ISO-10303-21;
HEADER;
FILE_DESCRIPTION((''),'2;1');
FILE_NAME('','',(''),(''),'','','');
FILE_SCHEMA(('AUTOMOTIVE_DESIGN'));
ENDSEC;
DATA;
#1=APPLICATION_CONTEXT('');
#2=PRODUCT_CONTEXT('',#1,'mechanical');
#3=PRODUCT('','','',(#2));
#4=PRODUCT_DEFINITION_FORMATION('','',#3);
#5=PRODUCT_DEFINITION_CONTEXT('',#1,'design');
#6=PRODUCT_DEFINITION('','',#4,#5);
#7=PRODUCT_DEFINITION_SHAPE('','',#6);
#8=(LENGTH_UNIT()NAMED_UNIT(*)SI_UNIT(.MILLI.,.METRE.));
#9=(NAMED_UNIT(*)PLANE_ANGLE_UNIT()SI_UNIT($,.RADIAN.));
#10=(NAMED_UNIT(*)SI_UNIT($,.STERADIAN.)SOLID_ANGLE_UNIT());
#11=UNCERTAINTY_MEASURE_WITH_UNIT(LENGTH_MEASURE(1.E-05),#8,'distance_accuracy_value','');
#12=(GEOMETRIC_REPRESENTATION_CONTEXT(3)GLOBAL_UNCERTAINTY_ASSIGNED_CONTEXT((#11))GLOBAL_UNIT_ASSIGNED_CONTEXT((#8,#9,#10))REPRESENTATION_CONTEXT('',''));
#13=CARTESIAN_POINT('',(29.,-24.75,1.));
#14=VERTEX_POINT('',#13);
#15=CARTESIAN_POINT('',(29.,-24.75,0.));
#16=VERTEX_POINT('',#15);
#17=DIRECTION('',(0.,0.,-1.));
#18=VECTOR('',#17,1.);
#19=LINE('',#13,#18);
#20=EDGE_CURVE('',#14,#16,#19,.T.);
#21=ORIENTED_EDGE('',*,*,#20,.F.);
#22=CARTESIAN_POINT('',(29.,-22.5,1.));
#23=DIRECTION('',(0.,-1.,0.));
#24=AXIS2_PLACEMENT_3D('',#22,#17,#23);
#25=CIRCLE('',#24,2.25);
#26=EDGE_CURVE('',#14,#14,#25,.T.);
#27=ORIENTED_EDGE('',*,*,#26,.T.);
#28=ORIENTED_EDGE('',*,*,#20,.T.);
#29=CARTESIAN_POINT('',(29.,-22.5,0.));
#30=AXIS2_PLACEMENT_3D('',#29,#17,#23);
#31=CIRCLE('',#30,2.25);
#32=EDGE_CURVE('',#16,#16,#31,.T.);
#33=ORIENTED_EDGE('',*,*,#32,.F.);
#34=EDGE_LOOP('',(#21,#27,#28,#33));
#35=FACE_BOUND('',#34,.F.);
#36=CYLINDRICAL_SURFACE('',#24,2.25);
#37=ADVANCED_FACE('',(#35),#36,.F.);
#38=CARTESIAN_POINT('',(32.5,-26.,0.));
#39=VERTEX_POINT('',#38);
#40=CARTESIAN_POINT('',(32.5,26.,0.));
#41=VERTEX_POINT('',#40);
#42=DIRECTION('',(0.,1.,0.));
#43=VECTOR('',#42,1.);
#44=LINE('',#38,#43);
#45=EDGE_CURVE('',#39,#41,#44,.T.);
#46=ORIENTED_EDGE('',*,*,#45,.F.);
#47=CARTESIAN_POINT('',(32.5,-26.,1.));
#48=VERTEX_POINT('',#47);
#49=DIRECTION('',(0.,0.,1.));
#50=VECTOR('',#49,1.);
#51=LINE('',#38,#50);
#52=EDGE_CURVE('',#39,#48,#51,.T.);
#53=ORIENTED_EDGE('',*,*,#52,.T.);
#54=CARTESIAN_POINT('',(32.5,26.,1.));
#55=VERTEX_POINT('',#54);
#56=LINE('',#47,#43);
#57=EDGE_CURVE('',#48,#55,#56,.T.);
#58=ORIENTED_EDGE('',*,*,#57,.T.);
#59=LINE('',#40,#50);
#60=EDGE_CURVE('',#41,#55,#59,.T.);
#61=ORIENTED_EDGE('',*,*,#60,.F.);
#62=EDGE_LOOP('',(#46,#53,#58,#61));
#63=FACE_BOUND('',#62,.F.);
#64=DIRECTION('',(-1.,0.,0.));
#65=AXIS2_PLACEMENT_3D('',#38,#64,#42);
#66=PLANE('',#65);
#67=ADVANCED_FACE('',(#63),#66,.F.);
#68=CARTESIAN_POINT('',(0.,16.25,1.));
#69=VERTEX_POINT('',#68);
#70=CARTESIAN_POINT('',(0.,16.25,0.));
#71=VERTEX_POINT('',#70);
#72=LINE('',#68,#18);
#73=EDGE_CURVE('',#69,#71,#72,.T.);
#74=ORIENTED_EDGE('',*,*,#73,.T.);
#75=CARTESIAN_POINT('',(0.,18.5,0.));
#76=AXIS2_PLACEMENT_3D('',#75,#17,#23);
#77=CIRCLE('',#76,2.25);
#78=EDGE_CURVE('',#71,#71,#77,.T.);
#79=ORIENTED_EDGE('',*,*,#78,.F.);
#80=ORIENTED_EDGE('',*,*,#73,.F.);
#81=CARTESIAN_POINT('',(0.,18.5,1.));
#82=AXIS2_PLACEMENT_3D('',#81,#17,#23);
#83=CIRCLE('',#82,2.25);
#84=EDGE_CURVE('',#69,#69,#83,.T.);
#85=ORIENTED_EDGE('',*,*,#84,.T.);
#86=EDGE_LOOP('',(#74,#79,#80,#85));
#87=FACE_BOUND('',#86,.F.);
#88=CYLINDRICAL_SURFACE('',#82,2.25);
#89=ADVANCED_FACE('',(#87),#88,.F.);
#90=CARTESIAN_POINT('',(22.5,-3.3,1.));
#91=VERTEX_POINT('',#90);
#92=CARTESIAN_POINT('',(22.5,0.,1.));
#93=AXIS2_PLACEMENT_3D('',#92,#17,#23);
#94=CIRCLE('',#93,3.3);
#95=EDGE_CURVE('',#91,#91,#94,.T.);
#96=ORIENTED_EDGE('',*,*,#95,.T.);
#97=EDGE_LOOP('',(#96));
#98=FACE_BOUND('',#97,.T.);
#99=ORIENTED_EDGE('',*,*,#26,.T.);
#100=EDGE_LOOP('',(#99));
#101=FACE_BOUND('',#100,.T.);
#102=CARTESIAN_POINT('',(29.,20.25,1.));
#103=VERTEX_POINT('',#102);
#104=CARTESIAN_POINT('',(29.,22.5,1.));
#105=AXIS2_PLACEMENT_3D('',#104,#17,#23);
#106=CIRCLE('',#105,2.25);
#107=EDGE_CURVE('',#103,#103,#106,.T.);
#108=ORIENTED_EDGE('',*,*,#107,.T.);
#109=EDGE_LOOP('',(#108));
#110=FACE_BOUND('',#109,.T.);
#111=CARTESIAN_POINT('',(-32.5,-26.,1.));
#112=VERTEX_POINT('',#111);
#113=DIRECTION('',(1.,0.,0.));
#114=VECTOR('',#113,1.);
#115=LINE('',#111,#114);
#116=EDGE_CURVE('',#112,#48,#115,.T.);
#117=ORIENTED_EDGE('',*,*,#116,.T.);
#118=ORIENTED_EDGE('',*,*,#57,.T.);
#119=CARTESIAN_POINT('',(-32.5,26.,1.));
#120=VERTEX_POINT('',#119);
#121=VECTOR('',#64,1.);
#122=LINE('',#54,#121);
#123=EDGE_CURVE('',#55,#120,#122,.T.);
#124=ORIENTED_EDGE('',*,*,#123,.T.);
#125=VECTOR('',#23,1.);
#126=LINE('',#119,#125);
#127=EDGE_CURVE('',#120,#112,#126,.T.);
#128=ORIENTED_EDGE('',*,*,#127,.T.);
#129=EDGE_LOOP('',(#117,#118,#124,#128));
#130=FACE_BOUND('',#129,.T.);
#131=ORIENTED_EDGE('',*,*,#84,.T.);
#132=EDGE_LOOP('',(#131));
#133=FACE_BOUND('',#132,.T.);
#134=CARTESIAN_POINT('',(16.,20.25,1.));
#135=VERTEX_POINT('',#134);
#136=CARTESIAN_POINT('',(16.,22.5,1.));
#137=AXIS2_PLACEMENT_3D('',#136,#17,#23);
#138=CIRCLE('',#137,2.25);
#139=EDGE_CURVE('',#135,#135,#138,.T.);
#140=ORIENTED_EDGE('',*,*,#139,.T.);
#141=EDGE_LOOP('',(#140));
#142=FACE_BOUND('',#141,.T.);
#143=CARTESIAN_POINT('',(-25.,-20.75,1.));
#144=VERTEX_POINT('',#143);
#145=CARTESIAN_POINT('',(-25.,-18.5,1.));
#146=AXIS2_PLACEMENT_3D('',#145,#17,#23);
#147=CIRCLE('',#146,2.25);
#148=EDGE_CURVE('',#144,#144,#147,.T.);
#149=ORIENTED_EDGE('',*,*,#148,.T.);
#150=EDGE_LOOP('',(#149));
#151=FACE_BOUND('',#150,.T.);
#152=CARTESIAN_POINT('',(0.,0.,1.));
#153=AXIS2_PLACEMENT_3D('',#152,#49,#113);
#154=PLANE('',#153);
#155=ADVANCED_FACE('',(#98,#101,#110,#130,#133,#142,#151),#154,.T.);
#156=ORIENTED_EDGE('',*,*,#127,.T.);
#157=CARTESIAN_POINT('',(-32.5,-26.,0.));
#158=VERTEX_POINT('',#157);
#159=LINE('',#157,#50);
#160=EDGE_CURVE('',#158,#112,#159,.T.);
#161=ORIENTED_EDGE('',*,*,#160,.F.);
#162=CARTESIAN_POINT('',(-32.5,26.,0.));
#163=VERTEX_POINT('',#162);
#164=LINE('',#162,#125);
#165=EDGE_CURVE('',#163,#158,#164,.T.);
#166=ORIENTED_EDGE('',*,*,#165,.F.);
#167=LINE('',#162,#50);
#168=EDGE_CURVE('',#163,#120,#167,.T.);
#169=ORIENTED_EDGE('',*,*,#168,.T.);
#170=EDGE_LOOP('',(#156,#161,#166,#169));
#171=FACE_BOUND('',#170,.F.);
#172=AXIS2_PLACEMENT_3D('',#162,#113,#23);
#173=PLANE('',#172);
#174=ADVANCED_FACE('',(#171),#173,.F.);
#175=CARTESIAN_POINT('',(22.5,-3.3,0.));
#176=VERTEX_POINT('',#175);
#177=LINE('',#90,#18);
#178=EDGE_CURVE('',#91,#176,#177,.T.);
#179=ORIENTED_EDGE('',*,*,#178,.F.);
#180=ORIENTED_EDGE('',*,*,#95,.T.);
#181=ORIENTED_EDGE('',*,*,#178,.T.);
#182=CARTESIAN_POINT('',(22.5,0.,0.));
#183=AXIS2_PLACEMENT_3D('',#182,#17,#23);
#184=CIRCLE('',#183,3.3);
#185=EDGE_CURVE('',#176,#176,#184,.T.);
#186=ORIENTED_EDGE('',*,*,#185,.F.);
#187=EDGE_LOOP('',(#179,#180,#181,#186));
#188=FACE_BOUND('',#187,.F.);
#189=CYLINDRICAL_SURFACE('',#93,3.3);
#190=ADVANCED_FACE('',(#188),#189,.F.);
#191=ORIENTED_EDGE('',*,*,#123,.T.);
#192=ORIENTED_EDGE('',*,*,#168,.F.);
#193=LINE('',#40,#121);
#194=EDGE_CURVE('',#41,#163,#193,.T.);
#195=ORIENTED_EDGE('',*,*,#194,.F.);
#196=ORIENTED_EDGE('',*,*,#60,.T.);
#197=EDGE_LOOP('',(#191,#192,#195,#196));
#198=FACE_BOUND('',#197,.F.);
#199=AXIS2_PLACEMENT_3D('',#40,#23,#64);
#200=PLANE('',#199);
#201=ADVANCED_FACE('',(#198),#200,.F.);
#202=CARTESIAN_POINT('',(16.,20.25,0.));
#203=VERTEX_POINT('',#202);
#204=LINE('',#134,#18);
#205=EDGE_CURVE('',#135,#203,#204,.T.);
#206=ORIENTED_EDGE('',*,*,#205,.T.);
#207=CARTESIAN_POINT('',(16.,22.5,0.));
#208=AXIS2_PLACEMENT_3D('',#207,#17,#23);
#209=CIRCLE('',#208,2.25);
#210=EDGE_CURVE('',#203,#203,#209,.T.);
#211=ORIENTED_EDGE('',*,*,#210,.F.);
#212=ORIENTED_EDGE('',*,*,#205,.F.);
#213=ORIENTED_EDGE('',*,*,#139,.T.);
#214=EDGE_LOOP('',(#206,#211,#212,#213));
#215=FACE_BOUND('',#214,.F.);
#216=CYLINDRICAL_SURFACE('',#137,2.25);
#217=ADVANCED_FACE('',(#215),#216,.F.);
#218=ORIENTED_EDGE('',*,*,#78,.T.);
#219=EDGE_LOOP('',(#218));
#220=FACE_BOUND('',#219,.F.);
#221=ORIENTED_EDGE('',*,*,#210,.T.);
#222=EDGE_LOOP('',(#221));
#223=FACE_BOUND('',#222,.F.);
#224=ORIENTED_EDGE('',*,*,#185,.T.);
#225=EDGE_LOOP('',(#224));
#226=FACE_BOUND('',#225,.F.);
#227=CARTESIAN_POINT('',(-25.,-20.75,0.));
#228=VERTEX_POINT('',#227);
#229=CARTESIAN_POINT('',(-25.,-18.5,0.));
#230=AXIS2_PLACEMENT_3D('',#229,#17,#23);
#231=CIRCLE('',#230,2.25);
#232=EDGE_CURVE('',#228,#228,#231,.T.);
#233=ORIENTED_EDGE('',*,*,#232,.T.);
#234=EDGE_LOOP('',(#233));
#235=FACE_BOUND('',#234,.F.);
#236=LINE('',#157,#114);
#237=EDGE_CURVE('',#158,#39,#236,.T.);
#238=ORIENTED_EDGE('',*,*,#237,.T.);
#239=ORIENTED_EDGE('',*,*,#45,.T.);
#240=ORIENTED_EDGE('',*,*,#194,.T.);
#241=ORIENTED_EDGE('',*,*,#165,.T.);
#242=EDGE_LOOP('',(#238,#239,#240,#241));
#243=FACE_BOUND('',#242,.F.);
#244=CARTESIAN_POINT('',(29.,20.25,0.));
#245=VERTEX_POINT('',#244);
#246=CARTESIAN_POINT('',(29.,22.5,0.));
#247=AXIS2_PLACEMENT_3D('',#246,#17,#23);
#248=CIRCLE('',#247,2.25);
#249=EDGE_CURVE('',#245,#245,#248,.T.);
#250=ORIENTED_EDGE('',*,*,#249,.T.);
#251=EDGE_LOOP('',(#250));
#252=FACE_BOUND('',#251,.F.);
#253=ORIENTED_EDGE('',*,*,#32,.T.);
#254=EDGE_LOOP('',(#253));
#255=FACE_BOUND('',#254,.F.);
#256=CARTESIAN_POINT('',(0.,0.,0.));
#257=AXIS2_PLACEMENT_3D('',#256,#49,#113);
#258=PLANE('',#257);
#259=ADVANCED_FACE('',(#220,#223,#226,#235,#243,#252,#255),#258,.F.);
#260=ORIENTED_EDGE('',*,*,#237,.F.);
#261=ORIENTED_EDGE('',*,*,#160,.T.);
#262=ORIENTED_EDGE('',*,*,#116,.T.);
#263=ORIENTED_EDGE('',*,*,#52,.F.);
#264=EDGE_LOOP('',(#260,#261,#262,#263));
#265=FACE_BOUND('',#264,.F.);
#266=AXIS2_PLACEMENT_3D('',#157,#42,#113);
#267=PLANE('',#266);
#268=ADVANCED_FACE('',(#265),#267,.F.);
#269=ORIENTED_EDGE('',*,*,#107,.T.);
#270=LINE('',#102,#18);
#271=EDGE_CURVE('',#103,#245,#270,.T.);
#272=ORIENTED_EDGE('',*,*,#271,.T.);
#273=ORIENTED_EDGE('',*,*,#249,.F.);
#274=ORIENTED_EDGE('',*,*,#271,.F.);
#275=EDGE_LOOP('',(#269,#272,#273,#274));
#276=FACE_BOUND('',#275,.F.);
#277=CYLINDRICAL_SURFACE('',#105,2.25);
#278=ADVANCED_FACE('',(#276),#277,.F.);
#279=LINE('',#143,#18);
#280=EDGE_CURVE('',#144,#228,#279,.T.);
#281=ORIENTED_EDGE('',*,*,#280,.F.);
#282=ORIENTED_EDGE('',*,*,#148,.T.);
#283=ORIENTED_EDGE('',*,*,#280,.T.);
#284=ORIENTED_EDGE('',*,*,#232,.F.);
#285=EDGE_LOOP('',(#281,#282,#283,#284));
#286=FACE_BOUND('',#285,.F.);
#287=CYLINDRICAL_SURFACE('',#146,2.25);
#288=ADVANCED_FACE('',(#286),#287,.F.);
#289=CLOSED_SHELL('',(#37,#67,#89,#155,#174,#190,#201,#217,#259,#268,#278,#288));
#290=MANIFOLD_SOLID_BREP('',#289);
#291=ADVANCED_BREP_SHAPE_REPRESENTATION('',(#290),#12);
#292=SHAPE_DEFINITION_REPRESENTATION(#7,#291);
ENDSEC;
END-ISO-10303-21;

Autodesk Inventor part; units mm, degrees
ref_plane "YZ Plane" through (0, 0, 0) normal (1, 0, 0) x (0, 1, 0)
ref_plane "XZ Plane" through (0, 0, 0) normal (0, 1, 0) x (-1, 0, 0)
ref_plane "XY Plane" through (0, 0, 0) normal (0, 0, 1) x (1, 0, 0)
sketch "Sketch1" plane through (0, 0, 0) normal (0, 0, 1) x (1, 0, 0)
  line L0 (-32.5, -26) -> (32.5, -26)
  line L1 (32.5, -26) -> (32.5, 26)
  line L2 (32.5, 26) -> (-32.5, 26)
  line L3 (-32.5, 26) -> (-32.5, -26)
  line L4 (-32.5, -26) -> (32.5, 26) construction
  line L5 (32.5, -26) -> (-32.5, 26) construction
  point P0 (0, 0)
  dimension "d0" = 65
  dimension "d1" = 52
extrude "Extrusion1" add sketch "Sketch1" along normal blind 1
sketch "Sketch4" plane through (0, 0, 1) normal (0, 0, 1) x (1, 0, 0)
  line L0 (29, -22.5) -> (16, -22.5) construction
  line L1 (16, -22.5) -> (16, 22.5) construction
  line L2 (16, 22.5) -> (29, 22.5) construction
  line L3 (29, 22.5) -> (29, -22.5) construction
  line L4 (29, -22.5) -> (16, 22.5) construction
  line L5 (16, -22.5) -> (29, 22.5) construction
  line L6 (32.5, -26) -> (32.5, 26) projected
  point P0 (0, 0)
  point P1 (22.5, 0)
  point P2 (22.5, 0)
  dimension "d20" = 13
  dimension "d31" = 3.5
  dimension "d32" = 45
hole "Hole3" at (16, 22.5, 1) at (29, 22.5, 1) at (29, -22.5, 1) direction (0, 0, -1) diameter 4.5 depth 8 tip angle 118 clearance for "Countersunk Flat Head Screw DIN EN ISO 2009" size "M4" standard "DIN"
sketch "Sketch5" plane through (0, 0, 1) normal (0, 0, 1) x (1, 0, 0)
  circle A0 centre (16, 22.5) radius 2.25 projected
  circle A1 centre (29, -22.5) radius 2.25 projected
  point P0 (0, 0)
  point P1 (0, 18.5)
  point P2 (-25, -18.5)
  dimension "d33" = 16
  dimension "d35" = 4
  dimension "d36" = 54
  dimension "d37" = 4
hole "Hole4" at (0, 18.5, 1) at (-25, -18.5, 1) direction (0, 0, -1) diameter 4.5 depth 8 tip angle 118 clearance for "Countersunk Flat Head Screw DIN EN ISO 2009" size "M4" standard "DIN"
sketch "Sketch6" plane through (0, 0, 1) normal (0, 0, 1) x (1, 0, 0)
  line L0 (32.5, -26) -> (32.5, 26) projected
  point P0 (0, 0)
  point P1 (22.5, 0)
  dimension "d46" = 10
hole "Hole5" at (22.5, 0, 1) direction (0, 0, -1) diameter 6.6 depth 8 tip angle 118 clearance for "Countersunk Flat Head Screw DIN EN ISO 2009" size "M6" standard "DIN"
properties part number "cu(" material "Copper"
